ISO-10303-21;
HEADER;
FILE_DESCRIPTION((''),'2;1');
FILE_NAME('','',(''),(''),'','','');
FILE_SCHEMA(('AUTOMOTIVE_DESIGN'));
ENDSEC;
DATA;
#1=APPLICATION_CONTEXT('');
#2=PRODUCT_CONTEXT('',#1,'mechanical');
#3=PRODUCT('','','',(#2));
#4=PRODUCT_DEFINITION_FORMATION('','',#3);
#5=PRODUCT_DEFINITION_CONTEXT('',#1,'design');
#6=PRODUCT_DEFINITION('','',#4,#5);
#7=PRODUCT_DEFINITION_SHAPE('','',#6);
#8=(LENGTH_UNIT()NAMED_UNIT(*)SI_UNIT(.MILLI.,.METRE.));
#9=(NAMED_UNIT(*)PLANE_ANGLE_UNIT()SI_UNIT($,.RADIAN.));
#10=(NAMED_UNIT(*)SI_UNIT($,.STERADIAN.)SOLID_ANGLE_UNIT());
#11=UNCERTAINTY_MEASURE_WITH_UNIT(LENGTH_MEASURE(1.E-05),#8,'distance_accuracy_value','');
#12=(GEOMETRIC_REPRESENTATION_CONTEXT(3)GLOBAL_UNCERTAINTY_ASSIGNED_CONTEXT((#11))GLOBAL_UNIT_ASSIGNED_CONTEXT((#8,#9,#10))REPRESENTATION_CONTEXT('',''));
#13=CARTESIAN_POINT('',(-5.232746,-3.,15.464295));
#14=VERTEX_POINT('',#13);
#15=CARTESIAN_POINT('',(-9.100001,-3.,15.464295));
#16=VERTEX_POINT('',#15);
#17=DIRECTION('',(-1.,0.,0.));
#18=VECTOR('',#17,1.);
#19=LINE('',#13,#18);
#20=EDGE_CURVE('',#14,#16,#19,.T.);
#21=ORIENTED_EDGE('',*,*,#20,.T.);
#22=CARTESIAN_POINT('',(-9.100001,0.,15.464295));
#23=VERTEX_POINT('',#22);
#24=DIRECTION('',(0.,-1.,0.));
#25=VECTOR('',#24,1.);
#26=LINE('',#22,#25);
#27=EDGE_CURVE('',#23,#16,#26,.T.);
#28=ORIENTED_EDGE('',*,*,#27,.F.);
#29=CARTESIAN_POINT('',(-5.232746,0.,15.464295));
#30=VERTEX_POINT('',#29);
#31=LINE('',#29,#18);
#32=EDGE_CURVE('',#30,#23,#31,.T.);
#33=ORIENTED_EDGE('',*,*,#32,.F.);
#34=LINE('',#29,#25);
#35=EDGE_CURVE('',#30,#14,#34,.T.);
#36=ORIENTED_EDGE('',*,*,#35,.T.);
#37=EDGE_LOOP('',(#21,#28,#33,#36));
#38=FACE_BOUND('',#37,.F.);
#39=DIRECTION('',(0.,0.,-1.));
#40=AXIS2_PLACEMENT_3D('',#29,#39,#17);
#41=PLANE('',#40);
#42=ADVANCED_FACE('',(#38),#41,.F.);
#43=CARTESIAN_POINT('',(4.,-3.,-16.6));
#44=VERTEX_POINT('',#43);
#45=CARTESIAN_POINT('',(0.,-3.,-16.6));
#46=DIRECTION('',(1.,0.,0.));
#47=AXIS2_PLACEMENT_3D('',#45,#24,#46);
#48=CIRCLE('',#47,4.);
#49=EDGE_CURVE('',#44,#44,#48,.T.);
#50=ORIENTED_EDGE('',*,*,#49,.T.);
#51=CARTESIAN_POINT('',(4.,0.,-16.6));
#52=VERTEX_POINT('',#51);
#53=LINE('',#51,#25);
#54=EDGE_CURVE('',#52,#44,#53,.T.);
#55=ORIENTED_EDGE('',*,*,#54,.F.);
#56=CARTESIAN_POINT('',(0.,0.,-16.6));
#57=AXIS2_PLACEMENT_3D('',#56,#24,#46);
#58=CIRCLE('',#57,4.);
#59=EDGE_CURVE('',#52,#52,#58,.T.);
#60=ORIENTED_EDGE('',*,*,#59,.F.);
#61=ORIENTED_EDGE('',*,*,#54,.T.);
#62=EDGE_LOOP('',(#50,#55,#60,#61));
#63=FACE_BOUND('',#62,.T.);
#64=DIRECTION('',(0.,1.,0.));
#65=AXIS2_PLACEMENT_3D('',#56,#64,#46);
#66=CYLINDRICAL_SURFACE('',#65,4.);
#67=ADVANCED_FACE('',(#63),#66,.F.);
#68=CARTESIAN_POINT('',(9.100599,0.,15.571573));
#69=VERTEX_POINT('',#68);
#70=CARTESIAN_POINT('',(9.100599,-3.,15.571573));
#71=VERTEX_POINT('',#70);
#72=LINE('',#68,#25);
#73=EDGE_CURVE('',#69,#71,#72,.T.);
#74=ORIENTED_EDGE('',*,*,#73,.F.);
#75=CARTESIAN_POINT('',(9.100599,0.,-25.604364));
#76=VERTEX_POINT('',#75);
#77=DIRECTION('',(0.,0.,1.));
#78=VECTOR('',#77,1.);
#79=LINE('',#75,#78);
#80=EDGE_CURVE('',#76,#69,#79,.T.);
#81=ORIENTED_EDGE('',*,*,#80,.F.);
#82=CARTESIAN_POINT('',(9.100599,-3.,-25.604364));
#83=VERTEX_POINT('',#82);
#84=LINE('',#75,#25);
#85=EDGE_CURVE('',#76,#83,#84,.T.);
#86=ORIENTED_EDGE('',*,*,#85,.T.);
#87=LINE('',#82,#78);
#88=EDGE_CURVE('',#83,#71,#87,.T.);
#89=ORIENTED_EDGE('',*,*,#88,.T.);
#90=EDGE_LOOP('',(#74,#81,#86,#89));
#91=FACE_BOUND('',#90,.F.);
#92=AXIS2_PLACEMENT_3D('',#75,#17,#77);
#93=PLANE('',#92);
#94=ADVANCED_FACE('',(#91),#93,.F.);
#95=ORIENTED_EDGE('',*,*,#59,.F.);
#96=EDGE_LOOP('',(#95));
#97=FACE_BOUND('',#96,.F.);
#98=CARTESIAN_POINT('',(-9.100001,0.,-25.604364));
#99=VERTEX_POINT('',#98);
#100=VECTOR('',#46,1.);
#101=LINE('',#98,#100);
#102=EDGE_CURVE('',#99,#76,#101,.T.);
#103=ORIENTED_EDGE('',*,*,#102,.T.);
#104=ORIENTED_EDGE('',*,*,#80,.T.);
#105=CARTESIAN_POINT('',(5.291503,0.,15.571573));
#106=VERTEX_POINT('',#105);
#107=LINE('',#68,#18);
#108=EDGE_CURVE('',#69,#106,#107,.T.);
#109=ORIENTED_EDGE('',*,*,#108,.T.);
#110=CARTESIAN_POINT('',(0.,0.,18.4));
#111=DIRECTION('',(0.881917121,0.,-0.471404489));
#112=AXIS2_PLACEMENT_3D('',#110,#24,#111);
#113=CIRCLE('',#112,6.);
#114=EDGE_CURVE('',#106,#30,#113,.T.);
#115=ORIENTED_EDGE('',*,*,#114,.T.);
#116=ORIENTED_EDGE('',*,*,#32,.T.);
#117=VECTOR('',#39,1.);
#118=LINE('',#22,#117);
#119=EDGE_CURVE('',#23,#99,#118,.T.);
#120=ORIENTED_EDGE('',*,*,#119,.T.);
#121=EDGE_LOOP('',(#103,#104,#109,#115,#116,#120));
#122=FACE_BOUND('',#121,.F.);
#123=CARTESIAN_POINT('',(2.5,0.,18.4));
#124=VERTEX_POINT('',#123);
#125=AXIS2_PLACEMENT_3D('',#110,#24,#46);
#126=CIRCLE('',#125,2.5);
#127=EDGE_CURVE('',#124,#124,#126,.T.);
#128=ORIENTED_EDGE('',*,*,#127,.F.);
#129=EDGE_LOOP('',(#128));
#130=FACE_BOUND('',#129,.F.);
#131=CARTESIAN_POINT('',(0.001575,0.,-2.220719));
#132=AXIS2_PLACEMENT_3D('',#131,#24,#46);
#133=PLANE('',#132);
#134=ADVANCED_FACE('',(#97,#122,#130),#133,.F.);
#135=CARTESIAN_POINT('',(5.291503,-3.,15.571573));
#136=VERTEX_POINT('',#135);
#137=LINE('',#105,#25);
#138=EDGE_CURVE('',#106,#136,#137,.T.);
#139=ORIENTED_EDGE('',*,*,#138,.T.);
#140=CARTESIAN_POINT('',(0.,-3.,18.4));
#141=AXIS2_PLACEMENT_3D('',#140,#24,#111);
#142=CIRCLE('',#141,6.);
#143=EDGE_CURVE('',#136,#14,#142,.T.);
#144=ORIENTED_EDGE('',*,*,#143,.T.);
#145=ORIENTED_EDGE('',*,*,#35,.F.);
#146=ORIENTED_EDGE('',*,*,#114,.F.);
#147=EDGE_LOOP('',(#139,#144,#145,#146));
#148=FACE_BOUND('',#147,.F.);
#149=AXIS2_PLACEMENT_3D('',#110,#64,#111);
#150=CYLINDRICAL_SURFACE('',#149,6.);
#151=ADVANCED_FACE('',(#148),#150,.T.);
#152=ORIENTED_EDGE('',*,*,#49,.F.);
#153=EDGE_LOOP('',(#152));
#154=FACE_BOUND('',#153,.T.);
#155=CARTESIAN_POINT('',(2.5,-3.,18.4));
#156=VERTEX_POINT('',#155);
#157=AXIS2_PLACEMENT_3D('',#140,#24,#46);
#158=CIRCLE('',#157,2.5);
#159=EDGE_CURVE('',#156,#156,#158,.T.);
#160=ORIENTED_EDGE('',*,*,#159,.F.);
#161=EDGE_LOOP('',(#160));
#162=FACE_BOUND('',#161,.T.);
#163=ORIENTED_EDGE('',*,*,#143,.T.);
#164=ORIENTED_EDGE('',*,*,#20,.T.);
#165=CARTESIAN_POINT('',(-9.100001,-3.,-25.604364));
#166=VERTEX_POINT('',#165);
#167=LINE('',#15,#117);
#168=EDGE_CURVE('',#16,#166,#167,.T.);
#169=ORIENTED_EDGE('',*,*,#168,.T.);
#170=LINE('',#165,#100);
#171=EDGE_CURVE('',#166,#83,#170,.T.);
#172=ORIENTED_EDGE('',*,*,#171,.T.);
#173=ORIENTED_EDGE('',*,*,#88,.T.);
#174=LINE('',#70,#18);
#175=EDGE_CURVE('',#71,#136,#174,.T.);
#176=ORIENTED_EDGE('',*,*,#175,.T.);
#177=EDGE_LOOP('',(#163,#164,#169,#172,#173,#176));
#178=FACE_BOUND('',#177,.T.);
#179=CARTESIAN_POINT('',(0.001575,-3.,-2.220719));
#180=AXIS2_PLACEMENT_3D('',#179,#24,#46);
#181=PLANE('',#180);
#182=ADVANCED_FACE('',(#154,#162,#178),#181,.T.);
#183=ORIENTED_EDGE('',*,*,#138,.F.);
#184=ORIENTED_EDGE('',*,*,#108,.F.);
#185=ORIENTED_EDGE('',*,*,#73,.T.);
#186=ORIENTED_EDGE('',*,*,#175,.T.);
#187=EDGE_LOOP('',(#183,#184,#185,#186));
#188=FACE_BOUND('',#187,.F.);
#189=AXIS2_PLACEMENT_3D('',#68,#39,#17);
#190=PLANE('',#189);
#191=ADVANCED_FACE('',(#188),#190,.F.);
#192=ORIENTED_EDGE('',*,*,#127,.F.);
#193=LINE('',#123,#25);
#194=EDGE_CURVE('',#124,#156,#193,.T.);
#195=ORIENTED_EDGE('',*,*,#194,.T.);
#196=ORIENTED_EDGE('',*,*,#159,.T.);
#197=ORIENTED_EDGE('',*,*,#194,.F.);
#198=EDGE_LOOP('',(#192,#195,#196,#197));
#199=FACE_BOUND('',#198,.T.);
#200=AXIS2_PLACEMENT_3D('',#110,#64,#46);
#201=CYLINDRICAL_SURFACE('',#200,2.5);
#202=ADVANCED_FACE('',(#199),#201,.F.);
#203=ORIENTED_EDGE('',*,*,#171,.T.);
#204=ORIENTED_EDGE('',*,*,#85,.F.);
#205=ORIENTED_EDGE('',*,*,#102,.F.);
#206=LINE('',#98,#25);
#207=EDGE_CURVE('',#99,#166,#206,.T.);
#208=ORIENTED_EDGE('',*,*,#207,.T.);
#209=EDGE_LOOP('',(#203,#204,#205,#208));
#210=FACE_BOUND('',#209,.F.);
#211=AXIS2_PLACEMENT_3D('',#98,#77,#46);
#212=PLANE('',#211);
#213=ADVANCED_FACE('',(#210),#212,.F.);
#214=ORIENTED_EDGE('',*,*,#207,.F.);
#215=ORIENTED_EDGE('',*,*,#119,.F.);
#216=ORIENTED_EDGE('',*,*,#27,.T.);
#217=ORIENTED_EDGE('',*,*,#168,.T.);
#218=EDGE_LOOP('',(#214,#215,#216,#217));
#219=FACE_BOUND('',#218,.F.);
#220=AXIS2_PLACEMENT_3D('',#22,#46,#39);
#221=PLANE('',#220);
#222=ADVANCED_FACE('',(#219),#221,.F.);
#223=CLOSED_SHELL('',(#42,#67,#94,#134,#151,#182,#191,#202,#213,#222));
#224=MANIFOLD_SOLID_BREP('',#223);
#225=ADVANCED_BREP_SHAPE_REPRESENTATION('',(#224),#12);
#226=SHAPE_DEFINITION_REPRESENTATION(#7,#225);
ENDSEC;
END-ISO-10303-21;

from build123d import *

# Parameters (mm, degrees)
F0_R     = 4
F0_R_2   = 2.5
F1_DEPTH = 3


with BuildPart() as f1:
    # F0 (on Front) → F1 (new body)
    with BuildSketch(Plane.XZ):
        with BuildLine():
            Line((-9.100001, 15.464295), (-9.100001, 12.027153))
            Line((-9.100001, 12.027153), (-9.100001, -25.604364))
            Line((-9.100001, -25.604364), (9.100599, -25.604364))
            Line((9.100599, -25.604364), (9.100599, 15.571573))
            Line((9.100599, 15.571573), (5.291503, 15.571573))
            ThreePointArc((5.291503, 15.571573), (-0.061157, 24.399688), (-5.232746, 15.464295))
            Line((-5.232746, 15.464295), (-9.100001, 15.464295))
        make_face()
        with Locations((0, -16.6)):
            Circle(F0_R, mode=Mode.SUBTRACT)
        with Locations((0, 18.4)):
            Circle(F0_R_2, mode=Mode.SUBTRACT)
    extrude(amount=F1_DEPTH)


solid = f1.part
